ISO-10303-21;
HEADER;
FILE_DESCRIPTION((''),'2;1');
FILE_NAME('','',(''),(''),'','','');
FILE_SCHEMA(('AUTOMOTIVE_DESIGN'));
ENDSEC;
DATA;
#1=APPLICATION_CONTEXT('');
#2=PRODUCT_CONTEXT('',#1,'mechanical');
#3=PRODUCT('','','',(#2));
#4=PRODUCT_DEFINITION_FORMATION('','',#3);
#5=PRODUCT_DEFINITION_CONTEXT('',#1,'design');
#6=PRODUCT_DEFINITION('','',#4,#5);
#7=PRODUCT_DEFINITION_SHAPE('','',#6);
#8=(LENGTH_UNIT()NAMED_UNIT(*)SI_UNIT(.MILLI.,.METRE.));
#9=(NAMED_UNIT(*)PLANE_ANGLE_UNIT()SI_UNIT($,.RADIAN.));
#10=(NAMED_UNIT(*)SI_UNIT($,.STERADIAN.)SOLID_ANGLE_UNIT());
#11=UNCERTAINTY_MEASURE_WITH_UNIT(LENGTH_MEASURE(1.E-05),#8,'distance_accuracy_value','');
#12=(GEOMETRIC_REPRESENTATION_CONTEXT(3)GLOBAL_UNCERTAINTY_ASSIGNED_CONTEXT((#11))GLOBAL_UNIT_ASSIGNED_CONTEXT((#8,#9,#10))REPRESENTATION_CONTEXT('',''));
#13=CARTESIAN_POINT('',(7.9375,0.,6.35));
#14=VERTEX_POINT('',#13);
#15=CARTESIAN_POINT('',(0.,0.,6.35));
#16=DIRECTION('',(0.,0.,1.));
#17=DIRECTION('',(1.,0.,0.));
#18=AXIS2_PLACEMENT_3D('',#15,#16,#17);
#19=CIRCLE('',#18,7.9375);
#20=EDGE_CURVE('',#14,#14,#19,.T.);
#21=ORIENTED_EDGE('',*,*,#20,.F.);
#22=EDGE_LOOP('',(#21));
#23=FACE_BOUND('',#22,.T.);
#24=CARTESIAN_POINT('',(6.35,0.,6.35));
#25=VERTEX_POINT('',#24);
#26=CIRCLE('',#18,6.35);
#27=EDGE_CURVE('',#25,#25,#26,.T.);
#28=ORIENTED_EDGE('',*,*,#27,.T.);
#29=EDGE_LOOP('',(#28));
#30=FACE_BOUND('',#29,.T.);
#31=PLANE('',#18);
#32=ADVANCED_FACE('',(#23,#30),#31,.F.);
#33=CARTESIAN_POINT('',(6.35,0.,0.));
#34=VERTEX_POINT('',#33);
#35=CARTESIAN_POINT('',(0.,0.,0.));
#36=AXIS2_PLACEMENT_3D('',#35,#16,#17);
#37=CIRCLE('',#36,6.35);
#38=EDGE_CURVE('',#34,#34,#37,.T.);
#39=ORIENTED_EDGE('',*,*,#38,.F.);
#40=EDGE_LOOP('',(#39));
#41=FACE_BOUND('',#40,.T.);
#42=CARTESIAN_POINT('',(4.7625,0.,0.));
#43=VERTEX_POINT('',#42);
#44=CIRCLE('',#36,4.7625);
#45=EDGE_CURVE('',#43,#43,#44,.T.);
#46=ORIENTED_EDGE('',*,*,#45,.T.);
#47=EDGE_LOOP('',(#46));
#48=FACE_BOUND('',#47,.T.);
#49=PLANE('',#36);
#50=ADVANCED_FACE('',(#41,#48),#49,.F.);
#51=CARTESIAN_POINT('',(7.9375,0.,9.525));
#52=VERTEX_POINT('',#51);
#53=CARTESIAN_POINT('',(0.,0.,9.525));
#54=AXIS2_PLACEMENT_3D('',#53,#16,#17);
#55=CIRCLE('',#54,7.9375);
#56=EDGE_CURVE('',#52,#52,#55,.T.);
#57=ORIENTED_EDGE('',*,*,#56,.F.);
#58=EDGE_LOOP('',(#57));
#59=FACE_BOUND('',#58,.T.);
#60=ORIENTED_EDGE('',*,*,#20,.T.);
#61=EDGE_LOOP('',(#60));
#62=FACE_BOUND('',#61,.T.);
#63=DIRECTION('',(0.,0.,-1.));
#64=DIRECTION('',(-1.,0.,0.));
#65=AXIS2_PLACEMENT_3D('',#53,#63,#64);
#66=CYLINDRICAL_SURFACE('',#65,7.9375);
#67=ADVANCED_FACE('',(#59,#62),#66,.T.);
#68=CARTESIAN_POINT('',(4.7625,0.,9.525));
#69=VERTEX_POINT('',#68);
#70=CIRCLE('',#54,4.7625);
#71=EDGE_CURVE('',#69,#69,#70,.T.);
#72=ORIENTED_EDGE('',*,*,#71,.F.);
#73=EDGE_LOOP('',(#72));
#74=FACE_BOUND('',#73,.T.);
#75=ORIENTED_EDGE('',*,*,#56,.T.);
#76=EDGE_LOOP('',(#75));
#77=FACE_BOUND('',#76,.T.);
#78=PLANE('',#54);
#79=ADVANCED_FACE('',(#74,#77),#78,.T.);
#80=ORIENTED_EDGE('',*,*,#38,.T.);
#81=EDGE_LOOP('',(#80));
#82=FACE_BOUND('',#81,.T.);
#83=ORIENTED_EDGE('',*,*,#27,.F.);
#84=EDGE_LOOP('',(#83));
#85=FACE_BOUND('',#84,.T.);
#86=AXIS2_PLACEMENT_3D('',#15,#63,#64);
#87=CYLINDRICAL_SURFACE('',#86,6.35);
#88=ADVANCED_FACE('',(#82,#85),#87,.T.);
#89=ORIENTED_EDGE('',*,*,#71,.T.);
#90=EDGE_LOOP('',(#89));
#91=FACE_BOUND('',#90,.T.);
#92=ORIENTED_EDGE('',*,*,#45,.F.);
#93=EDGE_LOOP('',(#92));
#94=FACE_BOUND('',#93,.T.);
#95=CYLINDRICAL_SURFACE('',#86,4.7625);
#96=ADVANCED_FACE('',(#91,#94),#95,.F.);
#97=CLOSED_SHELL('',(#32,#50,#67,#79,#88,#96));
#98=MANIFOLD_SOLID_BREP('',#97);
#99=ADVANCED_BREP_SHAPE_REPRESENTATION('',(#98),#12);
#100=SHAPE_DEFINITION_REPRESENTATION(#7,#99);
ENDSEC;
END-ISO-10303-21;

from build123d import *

# Parameters (mm, degrees)
SKETCH1_R           = 6.35
SKETCH1_R_2         = 4.7625
BOSS_EXTRUDE1_DEPTH = 6.35
SKETCH2_R           = 7.9375
SKETCH2_R_2         = 4.7625
BOSS_EXTRUDE2_DEPTH = 3.175


with BuildPart() as part:
    # Sketch1 → Boss-Extrude1 (new body)
    with BuildSketch(Plane.XY):
        Circle(SKETCH1_R)
        Circle(SKETCH1_R_2, mode=Mode.SUBTRACT)
    extrude(amount=BOSS_EXTRUDE1_DEPTH)

    # Sketch2 → Boss-Extrude2 (add)
    with BuildSketch(Plane.XY.offset(6.35)):
        Circle(SKETCH2_R)
        Circle(SKETCH2_R_2, mode=Mode.SUBTRACT)
    extrude(amount=BOSS_EXTRUDE2_DEPTH)


solid = part.part
